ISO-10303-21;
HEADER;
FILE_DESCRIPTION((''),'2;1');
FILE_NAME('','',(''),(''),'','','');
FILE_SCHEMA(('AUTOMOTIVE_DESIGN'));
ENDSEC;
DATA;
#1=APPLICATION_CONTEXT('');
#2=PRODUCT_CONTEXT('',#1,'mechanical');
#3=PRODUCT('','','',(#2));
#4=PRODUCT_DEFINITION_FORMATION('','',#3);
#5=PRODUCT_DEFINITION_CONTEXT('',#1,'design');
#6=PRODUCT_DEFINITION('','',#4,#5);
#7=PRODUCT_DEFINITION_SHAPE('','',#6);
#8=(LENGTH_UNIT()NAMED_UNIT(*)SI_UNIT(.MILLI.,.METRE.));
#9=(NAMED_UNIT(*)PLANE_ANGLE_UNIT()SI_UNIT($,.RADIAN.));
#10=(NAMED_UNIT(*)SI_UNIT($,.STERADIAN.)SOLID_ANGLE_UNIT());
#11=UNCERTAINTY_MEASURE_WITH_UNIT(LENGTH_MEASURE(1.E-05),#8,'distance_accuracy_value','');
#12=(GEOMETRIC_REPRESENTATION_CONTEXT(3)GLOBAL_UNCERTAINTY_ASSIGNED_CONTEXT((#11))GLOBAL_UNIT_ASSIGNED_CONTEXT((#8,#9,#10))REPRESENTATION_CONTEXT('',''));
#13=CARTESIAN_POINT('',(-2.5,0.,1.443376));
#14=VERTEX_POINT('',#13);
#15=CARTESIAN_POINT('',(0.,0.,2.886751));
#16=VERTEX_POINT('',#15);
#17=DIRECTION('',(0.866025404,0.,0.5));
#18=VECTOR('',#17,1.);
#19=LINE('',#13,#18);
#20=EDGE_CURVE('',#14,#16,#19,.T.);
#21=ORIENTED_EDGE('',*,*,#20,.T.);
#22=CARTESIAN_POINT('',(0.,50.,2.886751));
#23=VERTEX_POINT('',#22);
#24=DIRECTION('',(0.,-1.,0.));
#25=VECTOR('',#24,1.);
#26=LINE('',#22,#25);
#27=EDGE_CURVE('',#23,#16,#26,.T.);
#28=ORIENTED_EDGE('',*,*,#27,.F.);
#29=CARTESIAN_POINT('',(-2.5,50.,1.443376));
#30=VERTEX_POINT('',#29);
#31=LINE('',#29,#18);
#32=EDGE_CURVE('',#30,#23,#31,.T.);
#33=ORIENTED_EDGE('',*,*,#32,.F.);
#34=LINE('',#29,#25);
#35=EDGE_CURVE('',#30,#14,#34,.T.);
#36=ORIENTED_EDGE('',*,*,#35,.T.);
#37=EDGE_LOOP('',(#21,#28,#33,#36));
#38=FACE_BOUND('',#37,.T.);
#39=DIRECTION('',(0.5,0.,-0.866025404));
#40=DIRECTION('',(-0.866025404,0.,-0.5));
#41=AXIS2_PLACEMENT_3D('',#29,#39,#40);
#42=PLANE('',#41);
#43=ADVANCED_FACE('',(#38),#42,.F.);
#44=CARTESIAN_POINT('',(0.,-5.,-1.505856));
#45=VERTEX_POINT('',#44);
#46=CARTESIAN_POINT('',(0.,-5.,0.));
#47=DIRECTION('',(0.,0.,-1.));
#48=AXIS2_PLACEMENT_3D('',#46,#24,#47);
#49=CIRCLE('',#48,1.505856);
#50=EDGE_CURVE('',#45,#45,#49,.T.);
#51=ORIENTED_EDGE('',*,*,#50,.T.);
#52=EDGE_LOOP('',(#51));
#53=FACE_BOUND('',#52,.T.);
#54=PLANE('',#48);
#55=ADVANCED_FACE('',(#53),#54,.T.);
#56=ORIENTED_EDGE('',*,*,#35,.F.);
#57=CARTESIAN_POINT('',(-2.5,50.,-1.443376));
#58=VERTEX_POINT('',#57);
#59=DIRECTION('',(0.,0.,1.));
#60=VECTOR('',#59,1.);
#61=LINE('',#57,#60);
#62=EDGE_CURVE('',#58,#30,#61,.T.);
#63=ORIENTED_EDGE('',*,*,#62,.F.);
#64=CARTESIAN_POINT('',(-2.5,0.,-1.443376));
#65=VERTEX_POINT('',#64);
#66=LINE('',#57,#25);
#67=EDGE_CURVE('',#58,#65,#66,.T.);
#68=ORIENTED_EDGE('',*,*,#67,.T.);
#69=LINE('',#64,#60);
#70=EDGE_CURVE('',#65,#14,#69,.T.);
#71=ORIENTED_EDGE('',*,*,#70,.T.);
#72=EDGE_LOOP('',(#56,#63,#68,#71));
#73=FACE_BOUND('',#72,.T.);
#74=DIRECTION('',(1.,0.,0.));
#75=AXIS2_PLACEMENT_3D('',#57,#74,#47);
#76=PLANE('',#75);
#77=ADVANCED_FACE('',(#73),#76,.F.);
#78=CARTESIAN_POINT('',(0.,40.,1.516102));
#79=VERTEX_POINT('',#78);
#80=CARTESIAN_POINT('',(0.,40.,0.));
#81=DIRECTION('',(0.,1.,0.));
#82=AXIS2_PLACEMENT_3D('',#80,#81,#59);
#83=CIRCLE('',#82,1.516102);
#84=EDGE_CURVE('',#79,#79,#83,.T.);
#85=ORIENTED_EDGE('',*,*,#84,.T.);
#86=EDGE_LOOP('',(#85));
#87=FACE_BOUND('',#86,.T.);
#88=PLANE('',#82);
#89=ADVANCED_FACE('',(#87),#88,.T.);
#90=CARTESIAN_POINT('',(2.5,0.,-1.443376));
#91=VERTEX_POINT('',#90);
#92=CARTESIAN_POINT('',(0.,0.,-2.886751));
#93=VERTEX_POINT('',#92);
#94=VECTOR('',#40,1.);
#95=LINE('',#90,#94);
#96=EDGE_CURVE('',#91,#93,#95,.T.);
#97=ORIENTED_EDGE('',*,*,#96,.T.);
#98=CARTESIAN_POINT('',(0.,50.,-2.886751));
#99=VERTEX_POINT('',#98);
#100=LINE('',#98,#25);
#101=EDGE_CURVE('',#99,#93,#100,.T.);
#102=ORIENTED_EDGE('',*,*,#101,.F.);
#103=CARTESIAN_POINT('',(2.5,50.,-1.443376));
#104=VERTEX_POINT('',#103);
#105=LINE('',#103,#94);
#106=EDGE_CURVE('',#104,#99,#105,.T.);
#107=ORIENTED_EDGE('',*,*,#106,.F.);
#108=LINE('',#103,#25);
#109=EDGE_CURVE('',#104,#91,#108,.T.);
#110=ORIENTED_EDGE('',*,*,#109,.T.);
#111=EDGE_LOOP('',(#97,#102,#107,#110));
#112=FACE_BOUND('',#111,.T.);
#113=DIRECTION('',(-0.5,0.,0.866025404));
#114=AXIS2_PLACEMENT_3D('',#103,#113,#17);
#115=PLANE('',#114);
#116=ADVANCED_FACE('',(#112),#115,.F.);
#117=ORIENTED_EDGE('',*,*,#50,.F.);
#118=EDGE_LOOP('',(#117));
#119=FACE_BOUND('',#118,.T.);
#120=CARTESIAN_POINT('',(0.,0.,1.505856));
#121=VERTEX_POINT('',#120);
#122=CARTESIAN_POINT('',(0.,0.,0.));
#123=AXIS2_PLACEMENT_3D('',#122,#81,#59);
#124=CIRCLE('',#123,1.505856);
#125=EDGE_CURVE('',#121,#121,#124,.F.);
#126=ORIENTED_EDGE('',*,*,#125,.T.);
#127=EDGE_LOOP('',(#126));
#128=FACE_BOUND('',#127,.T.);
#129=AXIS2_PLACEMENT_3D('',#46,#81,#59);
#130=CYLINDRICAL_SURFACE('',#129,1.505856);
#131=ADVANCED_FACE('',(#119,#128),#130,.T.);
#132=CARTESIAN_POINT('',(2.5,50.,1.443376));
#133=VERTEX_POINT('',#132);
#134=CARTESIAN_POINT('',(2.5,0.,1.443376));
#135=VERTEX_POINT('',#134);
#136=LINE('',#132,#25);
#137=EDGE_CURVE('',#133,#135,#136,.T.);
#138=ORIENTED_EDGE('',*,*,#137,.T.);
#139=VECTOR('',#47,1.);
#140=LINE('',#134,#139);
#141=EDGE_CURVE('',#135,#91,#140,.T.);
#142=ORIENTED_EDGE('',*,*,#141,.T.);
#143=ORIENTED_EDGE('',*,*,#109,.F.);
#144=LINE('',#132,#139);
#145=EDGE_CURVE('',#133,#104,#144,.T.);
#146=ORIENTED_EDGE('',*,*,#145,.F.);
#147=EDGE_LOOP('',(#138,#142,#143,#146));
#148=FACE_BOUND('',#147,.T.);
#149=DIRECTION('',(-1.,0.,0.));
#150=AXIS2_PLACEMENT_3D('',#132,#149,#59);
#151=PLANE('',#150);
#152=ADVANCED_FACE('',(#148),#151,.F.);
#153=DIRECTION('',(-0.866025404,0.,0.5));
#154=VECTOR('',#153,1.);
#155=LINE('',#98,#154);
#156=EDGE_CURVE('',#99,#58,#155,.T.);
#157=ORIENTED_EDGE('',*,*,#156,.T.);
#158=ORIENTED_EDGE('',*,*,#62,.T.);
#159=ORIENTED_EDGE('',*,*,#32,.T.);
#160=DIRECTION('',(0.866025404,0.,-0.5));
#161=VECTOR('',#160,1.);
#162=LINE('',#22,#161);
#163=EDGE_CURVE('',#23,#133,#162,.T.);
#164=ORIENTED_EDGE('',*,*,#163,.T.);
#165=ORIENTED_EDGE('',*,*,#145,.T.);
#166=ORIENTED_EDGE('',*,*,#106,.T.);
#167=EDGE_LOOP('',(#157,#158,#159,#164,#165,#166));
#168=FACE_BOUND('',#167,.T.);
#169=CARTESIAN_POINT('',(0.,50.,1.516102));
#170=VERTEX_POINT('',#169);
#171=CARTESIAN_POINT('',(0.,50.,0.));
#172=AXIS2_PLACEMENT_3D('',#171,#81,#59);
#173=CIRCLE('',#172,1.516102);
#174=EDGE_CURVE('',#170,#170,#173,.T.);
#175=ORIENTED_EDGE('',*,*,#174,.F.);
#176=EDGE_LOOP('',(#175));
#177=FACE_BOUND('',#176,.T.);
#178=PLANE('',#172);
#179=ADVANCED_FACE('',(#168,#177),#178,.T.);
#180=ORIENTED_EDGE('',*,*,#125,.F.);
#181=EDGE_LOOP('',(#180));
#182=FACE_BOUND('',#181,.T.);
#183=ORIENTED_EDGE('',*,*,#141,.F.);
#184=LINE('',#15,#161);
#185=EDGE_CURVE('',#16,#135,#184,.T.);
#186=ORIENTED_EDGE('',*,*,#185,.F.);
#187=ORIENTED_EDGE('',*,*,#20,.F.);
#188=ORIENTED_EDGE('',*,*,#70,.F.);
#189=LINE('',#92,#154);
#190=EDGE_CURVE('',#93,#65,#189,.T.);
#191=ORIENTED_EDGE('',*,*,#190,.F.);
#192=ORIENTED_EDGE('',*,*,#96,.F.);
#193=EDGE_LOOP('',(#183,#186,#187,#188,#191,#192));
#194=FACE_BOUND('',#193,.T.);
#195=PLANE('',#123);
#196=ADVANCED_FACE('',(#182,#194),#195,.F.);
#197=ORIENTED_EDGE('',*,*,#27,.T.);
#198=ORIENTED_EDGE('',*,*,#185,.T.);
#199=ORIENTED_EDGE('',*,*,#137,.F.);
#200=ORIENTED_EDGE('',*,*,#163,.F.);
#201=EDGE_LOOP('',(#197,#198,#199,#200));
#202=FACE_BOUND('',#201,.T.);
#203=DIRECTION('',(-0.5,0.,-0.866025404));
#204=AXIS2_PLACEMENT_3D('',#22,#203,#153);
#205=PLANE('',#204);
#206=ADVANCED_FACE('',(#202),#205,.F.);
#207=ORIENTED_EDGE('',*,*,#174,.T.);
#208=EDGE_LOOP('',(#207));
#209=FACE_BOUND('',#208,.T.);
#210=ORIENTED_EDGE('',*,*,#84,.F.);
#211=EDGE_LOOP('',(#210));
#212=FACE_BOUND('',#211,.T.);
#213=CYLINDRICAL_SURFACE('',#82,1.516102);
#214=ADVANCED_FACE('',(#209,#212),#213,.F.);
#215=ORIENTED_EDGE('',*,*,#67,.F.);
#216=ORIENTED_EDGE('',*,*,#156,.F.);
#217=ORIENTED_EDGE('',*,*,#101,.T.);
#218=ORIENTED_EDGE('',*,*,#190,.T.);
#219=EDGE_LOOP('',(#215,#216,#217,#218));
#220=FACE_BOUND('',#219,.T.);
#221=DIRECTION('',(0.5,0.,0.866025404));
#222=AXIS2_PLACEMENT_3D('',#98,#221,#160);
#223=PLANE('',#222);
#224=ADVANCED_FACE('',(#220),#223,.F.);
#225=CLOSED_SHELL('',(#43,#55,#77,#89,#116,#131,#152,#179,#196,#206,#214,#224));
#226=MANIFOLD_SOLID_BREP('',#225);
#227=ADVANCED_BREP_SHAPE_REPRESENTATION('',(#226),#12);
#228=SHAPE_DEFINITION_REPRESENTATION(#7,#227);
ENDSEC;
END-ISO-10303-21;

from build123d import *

# Parameters (mm, degrees)
BOSS_EXTRUDE1_DEPTH = 50
SKETCH2_R           = 1.516102493
CUT_EXTRUDE1_DEPTH  = 10
SKETCH3_R           = 1.505855903
BOSS_EXTRUDE2_DEPTH = 5


with BuildPart() as part:
    # Sketch1 → Boss-Extrude1 (new body)
    with BuildSketch(Plane(origin=(0, 0, 0), x_dir=(1, 0, 0), z_dir=(0, 1, 0))):
        Polygon((0, -2.886751346), (2.5, -1.443375673), (2.5, 1.443375673), (0, 2.886751346), (-2.5, 1.443375673), (-2.5, -1.443375673), align=None)
    extrude(amount=BOSS_EXTRUDE1_DEPTH)

    # Sketch2 → Cut-Extrude1 (cut)
    with BuildSketch(Plane(origin=(0, 50, 0), x_dir=(1, 0, 0), z_dir=(0, 1, 0))):
        Circle(SKETCH2_R)
    extrude(amount=-CUT_EXTRUDE1_DEPTH, mode=Mode.SUBTRACT)

    # Sketch3 → Boss-Extrude2 (add)
    with BuildSketch(Plane.XZ):
        Circle(SKETCH3_R)
    extrude(amount=BOSS_EXTRUDE2_DEPTH)


solid = part.part
